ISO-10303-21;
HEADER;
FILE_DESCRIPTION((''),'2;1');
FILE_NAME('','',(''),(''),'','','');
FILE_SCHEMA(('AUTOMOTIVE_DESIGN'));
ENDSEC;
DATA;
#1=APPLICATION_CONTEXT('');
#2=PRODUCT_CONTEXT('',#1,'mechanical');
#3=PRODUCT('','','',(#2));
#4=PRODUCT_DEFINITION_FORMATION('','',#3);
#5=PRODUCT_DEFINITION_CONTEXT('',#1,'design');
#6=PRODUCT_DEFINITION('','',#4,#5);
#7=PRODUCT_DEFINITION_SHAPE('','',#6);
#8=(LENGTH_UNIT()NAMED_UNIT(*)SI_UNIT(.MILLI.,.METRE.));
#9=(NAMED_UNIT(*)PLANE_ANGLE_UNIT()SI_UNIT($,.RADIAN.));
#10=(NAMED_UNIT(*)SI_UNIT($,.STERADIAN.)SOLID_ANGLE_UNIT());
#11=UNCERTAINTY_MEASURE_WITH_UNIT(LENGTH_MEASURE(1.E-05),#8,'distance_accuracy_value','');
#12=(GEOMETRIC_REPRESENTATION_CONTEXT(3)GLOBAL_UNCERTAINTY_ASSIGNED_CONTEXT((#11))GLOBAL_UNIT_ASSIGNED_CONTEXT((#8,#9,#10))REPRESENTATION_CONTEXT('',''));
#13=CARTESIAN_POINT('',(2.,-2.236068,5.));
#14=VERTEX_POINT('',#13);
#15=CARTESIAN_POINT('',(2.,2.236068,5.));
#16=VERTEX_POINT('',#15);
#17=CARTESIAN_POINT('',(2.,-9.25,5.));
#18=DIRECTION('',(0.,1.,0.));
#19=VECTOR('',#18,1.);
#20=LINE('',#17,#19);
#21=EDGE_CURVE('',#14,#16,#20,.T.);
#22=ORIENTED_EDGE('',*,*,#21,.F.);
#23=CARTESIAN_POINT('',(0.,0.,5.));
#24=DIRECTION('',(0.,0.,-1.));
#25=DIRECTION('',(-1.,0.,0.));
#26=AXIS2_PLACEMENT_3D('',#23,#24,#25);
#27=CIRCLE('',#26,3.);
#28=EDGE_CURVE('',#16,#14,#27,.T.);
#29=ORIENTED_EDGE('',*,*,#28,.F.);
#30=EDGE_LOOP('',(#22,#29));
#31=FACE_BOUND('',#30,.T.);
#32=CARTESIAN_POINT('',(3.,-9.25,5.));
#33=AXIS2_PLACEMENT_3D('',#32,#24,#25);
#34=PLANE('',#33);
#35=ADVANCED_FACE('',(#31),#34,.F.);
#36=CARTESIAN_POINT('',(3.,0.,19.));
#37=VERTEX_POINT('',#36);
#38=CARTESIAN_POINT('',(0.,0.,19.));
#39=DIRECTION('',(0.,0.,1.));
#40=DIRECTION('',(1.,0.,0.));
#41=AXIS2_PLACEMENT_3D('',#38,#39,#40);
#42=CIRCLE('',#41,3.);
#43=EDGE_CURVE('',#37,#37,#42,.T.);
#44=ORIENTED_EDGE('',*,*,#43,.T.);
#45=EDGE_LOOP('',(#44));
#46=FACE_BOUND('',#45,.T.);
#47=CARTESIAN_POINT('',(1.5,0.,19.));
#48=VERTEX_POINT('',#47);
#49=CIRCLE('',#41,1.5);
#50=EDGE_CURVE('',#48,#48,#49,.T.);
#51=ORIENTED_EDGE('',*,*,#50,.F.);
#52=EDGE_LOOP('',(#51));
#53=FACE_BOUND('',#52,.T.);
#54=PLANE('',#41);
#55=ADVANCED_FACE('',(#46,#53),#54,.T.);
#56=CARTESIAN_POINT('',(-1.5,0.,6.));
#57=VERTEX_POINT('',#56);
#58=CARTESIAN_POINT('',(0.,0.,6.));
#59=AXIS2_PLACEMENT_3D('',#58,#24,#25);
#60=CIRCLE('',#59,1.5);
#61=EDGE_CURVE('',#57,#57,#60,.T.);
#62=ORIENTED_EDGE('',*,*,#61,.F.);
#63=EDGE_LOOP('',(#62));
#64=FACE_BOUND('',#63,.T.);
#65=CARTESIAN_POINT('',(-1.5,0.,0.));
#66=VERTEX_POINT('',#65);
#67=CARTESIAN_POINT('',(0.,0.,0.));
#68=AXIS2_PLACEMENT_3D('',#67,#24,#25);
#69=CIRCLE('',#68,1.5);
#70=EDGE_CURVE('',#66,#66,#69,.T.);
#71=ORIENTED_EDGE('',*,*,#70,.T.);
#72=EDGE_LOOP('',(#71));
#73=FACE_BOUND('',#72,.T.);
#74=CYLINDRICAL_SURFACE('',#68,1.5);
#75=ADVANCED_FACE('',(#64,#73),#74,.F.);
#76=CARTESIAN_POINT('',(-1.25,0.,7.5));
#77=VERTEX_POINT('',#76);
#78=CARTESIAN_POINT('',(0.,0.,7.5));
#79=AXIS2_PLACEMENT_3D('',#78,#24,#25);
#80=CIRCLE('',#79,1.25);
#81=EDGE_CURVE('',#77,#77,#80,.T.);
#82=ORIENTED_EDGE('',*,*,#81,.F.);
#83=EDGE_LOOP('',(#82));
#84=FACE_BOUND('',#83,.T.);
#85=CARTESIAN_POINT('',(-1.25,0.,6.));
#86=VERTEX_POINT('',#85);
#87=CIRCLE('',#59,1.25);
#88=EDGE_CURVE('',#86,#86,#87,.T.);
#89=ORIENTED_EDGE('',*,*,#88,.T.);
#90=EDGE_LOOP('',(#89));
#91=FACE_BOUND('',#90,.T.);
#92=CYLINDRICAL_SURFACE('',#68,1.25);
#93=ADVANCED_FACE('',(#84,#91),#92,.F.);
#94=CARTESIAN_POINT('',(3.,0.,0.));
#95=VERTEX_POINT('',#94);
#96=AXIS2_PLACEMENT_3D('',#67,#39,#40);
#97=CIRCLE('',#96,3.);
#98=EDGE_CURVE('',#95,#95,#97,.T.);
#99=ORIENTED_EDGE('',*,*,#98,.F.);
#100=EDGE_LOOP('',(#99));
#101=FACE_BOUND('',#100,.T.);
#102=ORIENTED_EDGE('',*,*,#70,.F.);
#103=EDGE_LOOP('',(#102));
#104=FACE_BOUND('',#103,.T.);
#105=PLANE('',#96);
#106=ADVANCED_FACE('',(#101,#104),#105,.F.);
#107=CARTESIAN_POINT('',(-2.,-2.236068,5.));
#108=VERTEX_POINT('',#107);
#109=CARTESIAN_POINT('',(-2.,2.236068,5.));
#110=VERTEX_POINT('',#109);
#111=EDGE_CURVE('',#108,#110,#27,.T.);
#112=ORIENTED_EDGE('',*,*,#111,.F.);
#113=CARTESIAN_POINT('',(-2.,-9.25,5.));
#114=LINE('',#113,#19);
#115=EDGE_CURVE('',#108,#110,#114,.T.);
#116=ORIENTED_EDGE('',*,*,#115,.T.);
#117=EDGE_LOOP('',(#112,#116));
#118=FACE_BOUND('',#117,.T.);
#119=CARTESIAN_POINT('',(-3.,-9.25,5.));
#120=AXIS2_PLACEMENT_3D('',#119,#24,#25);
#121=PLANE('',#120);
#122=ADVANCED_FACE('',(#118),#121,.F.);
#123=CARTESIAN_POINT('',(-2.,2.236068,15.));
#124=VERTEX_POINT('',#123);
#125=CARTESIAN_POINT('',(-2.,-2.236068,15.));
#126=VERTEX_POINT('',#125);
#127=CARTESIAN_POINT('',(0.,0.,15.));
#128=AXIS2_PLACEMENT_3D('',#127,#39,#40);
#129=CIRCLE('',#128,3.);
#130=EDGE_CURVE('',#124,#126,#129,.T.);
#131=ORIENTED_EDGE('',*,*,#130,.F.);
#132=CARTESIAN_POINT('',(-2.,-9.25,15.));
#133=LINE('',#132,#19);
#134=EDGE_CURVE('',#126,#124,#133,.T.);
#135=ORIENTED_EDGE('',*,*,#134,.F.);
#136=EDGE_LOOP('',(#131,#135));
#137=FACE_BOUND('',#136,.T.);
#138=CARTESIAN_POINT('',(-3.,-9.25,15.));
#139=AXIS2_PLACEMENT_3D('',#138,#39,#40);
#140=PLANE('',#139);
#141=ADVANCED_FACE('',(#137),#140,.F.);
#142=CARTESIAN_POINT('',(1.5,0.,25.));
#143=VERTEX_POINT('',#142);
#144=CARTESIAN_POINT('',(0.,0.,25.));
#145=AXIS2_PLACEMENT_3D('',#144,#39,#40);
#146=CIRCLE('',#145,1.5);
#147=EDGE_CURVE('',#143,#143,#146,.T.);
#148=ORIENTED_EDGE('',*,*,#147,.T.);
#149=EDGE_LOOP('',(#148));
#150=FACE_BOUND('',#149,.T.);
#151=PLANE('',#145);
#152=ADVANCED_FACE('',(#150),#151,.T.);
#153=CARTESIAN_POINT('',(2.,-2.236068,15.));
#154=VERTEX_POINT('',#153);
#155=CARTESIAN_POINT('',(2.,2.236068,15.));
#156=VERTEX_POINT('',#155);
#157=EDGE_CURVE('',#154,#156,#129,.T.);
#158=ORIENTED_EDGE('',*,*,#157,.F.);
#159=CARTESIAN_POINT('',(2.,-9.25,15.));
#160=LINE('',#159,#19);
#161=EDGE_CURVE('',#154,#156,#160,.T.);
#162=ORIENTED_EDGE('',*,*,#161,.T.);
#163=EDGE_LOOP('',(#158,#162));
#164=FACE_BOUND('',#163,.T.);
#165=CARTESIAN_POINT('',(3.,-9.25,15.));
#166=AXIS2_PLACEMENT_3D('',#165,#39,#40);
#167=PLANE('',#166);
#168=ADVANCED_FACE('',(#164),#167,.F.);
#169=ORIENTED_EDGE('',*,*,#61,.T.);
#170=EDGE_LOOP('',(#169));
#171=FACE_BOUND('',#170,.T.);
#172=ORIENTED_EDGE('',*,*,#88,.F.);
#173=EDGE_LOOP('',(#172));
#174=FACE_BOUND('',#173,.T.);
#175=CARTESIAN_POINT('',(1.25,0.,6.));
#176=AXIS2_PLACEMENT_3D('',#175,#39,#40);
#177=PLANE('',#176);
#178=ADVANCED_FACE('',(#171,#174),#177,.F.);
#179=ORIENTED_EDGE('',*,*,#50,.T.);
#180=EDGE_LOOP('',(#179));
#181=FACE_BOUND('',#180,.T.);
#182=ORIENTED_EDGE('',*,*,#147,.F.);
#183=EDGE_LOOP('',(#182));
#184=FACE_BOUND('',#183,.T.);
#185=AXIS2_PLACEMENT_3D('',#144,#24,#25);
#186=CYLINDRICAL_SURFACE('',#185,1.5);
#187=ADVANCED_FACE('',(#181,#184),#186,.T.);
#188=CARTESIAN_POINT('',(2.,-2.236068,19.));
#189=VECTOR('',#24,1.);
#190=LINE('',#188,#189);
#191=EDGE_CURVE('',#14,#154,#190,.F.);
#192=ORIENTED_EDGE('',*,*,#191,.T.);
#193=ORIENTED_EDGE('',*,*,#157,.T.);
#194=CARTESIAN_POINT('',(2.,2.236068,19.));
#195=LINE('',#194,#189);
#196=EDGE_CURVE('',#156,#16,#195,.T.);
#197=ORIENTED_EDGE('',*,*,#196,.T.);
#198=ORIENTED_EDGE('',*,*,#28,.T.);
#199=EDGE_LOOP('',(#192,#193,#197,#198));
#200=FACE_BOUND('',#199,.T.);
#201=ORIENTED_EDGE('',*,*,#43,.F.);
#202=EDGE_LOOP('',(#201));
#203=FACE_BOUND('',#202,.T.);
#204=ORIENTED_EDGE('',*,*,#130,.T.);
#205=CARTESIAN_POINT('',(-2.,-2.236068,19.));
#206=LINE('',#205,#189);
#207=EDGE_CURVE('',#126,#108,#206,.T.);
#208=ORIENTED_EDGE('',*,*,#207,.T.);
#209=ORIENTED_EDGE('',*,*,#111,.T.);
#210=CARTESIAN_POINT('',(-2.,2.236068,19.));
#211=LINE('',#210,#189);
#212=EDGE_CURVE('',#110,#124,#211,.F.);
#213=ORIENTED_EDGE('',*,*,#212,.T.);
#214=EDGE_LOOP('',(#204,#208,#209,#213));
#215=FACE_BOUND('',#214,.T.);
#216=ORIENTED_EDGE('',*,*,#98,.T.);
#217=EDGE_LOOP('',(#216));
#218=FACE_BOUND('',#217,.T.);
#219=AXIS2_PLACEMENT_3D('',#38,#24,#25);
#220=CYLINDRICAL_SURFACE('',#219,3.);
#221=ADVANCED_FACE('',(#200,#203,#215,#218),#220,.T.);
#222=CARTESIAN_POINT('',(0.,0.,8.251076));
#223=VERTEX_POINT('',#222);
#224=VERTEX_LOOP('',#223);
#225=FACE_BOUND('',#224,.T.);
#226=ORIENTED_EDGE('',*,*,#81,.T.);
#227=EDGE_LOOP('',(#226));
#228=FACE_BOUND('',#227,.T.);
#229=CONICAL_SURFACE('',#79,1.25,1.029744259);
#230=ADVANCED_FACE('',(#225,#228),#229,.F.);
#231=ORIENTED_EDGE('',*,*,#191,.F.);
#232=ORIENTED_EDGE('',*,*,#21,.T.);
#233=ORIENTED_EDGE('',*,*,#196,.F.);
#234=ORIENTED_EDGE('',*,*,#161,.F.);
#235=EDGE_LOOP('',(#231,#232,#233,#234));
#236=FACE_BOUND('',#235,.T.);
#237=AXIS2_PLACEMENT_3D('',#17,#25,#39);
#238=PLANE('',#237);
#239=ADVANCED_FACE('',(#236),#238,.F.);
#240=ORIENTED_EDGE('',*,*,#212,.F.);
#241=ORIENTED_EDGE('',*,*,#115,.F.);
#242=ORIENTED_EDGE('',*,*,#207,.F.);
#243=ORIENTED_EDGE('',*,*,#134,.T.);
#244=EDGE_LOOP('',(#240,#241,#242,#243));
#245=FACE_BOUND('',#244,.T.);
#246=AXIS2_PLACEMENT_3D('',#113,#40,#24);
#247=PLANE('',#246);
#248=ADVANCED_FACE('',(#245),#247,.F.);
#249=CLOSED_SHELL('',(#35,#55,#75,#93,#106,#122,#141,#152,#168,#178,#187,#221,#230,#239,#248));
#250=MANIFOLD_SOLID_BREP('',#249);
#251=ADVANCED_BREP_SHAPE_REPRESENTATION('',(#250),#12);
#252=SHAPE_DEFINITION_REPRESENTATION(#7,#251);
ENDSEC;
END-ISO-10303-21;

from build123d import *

# Parameters (mm, degrees)
SKETCH_1_R                   = 3
EXTRUDE_1_DEPTH              = 19
SKETCH_2_W                   = 1
SKETCH_2_H                   = 10
CUT_EXTRUDE_2_DEPTH          = 9.25
HOLE_WIZARD_M3_1_D           = 2.5
HOLE_WIZARD_M3_1_DEPTH       = 7.5
HOLE_WIZARD_M3_1_CBORE_D     = 3
HOLE_WIZARD_M3_1_CBORE_DEPTH = 6
HOLE_WIZARD_M3_1_TIP         = 0.751075774
SKETCH_4_R                   = 1.5
EXTRUDE_3_DEPTH              = 6


with BuildPart() as part:
    # 草图1 → 拉伸1 (new body)
    with BuildSketch(Plane.XY):
        Circle(SKETCH_1_R)
    extrude(amount=EXTRUDE_1_DEPTH)

    # 草图2 → 拉伸2 (cut, symmetric)
    with BuildSketch(Plane(origin=(0, 0, 0), x_dir=(1, 0, 0), z_dir=(0, 1, 0))):
        with Locations((-2.5, -10)):
            Rectangle(SKETCH_2_W, SKETCH_2_H)
        with Locations((2.5, -10)):
            Rectangle(SKETCH_2_W, SKETCH_2_H)
    extrude(amount=CUT_EXTRUDE_2_DEPTH, both=True, mode=Mode.SUBTRACT)

    # M3 螺纹孔1
    with Locations(Plane(origin=(0, 0, 0), x_dir=(-1, 0, 0), z_dir=(0, 0, -1))):
        with Locations((0, 0)):
            CounterBoreHole(HOLE_WIZARD_M3_1_D / 2, HOLE_WIZARD_M3_1_CBORE_D / 2, HOLE_WIZARD_M3_1_CBORE_DEPTH, depth=HOLE_WIZARD_M3_1_DEPTH)
            with Locations((0, 0, -(HOLE_WIZARD_M3_1_DEPTH + HOLE_WIZARD_M3_1_TIP / 2))):  # 118° drill point
                Cone(0, HOLE_WIZARD_M3_1_D / 2, HOLE_WIZARD_M3_1_TIP, mode=Mode.SUBTRACT)

    # 草图4 → 拉伸3 (add)
    with BuildSketch(Plane.XY.offset(19)):
        with Locations(Location((0, 0, 0), (0, 0, 180))):
            Circle(SKETCH_4_R)
    extrude(amount=EXTRUDE_3_DEPTH)


solid = part.part
